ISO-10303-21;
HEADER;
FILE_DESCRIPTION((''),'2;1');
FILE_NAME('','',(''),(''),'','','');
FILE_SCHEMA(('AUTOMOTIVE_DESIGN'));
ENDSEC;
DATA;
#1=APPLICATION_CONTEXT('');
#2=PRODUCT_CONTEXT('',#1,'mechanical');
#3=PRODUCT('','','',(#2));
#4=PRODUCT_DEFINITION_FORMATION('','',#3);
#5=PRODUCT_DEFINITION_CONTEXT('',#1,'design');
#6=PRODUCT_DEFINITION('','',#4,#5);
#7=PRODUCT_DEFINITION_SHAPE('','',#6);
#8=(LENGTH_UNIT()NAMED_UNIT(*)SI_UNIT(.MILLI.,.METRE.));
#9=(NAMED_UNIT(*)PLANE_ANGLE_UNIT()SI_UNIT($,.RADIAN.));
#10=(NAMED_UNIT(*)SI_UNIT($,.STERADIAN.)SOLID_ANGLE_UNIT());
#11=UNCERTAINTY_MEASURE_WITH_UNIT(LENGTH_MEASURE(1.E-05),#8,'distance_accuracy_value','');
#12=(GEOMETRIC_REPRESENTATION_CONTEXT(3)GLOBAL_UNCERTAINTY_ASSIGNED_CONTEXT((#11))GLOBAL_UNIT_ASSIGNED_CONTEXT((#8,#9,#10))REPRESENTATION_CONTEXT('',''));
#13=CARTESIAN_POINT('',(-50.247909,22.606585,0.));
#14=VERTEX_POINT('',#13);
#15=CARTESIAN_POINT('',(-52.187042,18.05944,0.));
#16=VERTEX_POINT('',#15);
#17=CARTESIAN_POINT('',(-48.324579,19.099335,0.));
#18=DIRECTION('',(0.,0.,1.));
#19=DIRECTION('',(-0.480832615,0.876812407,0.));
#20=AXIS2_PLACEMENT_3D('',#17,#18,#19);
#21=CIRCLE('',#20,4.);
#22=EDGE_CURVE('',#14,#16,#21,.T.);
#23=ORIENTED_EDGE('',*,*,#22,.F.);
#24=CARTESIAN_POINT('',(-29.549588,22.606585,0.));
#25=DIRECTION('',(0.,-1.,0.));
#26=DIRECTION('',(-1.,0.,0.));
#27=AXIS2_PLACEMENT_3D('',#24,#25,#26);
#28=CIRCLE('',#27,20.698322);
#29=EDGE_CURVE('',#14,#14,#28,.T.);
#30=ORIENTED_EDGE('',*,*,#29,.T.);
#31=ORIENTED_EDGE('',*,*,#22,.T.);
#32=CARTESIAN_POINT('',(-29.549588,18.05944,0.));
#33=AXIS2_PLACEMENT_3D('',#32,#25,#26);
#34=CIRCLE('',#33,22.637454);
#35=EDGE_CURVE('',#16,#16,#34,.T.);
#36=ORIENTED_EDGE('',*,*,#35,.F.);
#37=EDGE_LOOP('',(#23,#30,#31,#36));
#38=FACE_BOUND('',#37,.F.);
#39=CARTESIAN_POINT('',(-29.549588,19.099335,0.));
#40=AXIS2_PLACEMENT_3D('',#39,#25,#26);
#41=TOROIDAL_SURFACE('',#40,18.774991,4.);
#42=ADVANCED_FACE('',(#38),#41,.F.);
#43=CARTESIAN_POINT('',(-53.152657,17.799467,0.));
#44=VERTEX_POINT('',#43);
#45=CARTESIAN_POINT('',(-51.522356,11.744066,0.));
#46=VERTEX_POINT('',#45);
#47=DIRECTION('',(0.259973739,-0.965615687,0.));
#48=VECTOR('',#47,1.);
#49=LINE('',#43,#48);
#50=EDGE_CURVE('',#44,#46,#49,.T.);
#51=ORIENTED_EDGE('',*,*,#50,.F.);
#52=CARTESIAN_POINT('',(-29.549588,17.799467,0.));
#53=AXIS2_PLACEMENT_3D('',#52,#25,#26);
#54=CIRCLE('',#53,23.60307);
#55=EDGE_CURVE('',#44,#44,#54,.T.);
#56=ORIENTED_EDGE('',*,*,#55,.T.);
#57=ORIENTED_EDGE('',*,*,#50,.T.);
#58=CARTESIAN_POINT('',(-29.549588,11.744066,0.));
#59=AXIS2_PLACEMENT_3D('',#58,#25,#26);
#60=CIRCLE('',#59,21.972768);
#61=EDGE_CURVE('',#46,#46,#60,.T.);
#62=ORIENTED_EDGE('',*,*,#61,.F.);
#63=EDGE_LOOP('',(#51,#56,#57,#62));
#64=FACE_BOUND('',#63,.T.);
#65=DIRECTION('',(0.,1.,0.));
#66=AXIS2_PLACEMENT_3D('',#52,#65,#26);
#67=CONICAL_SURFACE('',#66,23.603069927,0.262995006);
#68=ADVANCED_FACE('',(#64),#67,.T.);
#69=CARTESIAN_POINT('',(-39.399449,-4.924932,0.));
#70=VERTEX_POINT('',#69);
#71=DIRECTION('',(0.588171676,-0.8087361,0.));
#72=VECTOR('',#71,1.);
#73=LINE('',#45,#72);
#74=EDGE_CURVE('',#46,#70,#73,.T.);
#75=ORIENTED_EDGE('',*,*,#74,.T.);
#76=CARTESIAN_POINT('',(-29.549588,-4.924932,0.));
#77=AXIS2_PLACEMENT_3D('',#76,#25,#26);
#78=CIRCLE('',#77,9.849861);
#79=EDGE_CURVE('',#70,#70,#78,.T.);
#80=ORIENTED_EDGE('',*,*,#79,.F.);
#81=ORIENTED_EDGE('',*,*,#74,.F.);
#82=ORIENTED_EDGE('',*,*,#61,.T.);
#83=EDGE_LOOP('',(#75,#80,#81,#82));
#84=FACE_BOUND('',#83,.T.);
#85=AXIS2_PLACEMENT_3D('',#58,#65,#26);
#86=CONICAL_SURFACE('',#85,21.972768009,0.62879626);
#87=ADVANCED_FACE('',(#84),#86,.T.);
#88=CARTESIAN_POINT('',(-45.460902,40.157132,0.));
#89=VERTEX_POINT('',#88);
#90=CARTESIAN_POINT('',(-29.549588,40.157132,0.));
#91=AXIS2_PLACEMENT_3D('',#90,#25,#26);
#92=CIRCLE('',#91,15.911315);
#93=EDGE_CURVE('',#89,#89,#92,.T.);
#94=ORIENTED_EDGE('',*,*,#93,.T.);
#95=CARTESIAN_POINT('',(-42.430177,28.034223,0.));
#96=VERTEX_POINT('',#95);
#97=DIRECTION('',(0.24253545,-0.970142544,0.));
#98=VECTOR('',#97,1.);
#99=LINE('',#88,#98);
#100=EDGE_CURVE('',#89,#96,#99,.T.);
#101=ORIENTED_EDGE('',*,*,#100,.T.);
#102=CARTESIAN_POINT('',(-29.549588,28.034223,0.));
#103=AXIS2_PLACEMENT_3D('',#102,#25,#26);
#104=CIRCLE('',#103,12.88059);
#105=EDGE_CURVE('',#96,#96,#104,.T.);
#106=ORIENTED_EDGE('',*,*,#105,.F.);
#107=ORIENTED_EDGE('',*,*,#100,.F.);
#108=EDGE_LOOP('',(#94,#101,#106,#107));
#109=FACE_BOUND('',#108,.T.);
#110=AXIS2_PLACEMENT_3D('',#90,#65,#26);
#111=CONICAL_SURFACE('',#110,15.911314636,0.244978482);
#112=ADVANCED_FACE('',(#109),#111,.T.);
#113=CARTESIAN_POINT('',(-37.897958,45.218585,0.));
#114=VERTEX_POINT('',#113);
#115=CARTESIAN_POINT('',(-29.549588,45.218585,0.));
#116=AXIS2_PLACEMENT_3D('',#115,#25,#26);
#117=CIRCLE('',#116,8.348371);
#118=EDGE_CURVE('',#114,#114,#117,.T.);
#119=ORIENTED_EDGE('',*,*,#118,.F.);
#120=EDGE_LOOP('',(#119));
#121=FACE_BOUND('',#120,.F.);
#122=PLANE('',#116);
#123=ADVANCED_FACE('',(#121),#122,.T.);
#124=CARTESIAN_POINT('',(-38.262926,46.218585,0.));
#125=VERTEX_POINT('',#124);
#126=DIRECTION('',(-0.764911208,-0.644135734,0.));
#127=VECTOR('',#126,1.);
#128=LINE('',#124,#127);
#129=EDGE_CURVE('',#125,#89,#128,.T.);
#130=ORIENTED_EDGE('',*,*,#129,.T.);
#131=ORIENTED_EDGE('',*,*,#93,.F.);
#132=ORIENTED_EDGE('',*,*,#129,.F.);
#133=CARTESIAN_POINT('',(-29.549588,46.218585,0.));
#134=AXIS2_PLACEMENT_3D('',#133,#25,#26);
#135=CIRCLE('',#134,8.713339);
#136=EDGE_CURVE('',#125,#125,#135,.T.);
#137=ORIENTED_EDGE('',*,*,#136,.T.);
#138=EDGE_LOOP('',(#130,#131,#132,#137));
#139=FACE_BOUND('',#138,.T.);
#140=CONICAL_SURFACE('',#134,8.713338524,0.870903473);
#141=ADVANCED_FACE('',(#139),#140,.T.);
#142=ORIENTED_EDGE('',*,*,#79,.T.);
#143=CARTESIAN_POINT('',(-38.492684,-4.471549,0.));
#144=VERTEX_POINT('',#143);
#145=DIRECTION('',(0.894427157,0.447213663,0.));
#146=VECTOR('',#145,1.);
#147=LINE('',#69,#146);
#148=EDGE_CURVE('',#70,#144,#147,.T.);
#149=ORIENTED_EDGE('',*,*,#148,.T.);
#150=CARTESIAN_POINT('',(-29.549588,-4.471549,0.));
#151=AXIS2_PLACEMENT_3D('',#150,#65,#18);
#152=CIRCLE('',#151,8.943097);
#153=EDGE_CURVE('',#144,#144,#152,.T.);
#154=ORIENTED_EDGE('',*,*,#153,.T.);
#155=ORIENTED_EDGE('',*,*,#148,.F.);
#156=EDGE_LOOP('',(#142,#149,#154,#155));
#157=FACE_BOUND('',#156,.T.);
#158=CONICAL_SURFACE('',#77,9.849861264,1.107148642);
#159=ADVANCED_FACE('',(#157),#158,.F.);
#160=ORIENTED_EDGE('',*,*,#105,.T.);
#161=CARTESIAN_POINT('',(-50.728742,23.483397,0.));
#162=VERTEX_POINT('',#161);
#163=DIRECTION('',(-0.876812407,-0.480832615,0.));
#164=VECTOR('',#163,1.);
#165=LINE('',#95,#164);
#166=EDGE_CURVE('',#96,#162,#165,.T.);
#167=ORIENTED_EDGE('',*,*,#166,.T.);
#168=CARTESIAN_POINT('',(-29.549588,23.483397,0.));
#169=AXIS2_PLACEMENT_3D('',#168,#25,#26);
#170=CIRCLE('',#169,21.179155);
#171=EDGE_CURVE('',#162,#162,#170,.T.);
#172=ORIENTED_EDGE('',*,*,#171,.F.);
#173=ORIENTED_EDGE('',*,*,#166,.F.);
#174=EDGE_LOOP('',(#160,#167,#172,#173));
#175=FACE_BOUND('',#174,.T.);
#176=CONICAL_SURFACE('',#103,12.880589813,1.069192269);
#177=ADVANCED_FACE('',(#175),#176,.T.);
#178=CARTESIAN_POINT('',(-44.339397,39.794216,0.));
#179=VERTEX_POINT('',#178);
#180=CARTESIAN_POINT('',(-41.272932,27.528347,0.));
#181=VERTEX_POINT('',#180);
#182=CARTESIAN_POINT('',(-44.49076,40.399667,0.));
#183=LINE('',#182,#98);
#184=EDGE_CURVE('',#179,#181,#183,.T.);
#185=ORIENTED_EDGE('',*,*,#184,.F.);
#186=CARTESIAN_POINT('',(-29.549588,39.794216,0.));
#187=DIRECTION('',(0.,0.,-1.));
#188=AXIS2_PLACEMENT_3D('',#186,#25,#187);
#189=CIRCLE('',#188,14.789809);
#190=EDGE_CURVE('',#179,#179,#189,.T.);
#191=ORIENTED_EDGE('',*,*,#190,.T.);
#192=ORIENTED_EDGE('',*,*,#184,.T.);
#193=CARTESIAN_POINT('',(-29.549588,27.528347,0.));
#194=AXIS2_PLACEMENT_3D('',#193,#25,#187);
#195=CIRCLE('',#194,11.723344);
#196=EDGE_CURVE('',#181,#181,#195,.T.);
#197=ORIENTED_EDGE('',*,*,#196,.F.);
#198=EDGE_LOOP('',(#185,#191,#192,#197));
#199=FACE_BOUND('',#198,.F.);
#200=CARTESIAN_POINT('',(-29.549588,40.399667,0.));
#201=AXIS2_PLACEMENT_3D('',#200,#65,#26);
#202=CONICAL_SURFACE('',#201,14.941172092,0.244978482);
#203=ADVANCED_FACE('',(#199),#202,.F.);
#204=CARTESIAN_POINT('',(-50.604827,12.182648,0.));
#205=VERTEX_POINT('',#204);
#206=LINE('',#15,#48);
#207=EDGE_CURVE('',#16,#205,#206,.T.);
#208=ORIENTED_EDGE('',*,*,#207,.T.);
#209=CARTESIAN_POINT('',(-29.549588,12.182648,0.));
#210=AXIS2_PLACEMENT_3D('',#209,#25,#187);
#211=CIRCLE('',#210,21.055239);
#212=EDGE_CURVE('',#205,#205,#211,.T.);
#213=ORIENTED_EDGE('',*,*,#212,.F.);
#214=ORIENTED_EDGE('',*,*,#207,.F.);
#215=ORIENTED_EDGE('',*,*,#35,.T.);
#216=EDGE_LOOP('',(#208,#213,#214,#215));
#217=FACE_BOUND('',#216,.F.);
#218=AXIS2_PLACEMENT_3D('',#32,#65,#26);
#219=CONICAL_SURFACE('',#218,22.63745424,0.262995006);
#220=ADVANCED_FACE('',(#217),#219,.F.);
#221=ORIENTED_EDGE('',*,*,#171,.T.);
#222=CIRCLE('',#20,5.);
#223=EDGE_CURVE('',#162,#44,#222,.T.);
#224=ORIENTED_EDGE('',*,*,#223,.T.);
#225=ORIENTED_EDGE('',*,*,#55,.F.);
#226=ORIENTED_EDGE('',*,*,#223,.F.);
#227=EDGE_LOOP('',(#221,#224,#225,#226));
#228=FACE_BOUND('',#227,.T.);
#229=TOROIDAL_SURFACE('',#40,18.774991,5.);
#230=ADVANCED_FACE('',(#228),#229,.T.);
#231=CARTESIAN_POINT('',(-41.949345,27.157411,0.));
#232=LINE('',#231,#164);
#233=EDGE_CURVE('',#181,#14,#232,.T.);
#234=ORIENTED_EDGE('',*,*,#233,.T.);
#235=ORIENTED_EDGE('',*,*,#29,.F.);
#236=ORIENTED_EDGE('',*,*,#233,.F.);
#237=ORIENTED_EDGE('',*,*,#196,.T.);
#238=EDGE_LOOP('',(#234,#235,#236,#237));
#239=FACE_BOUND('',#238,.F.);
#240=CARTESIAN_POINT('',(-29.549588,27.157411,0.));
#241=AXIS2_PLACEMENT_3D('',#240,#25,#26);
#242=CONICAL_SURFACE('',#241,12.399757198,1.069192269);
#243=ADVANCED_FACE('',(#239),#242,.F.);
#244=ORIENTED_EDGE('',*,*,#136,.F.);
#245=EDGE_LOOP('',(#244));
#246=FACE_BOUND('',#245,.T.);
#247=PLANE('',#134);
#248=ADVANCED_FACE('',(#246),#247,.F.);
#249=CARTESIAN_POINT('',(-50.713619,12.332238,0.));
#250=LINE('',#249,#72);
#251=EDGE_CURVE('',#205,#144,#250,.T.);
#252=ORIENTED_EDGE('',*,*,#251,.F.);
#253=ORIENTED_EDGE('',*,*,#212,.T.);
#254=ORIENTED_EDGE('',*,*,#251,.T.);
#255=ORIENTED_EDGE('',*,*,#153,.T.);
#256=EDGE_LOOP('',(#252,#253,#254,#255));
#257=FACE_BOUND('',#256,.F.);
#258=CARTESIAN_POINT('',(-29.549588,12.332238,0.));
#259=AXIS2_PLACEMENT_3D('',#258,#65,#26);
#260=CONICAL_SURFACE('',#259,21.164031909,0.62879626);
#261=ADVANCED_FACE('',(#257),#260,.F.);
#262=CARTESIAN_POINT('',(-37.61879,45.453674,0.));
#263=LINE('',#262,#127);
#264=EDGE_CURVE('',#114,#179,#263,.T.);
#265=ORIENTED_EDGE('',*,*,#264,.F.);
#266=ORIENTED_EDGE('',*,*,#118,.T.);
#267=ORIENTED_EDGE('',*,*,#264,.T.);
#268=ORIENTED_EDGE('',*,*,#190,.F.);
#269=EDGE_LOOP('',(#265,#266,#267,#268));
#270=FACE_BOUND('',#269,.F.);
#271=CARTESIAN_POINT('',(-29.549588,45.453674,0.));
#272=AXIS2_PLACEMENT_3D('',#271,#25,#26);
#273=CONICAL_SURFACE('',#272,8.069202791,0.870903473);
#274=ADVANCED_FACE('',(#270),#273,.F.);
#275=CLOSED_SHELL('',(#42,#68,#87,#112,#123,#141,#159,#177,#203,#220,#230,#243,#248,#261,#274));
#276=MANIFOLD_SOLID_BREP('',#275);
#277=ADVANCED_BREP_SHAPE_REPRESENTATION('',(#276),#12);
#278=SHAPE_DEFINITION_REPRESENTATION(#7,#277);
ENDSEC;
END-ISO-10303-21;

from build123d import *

# Parameters (mm, degrees)
F2_T = -1


with BuildPart() as f1:
    # F0 (on Top) → F1 (revolve)
    with BuildSketch(Plane.XY):
        with BuildLine():
            Line((-29.549587518, 46.218585223), (-38.2629260421, 46.218585223))
            Line((-38.2629260421, 46.218585223), (-45.4609021544, 40.1571318507))
            Line((-45.4609021544, 40.1571318507), (-42.430177331, 28.0342232436))
            Line((-42.430177331, 28.0342232436), (-50.7287420829, 23.4833973694))
            ThreePointArc((-50.7287420829, 23.4833973694), (-52.9238285613, 21.0606878183), (-53.1526574452, 17.7994666422))
            Line((-53.1526574452, 17.7994666422), (-51.5223555267, 11.7440661415))
            Line((-51.5223555267, 11.7440661415), (-39.3994487822, -4.9249315634))
            Line((-39.3994487822, -4.9249315634), (-29.549587518, 0))
            Line((-29.549587518, 0), (-29.549587518, 46.218585223))
        make_face()
    revolve(axis=Axis((-29.549587518, 23.1092926115, 0), (0, -1, 0)))

    # F2
    f2_openings = [f1.faces().sort_by_distance(p)[0] for p in [
        (-24.624657, -2.462466, 0),
    ]]
    offset(amount=F2_T, openings=f2_openings, kind=Kind.INTERSECTION)


solid = f1.part
